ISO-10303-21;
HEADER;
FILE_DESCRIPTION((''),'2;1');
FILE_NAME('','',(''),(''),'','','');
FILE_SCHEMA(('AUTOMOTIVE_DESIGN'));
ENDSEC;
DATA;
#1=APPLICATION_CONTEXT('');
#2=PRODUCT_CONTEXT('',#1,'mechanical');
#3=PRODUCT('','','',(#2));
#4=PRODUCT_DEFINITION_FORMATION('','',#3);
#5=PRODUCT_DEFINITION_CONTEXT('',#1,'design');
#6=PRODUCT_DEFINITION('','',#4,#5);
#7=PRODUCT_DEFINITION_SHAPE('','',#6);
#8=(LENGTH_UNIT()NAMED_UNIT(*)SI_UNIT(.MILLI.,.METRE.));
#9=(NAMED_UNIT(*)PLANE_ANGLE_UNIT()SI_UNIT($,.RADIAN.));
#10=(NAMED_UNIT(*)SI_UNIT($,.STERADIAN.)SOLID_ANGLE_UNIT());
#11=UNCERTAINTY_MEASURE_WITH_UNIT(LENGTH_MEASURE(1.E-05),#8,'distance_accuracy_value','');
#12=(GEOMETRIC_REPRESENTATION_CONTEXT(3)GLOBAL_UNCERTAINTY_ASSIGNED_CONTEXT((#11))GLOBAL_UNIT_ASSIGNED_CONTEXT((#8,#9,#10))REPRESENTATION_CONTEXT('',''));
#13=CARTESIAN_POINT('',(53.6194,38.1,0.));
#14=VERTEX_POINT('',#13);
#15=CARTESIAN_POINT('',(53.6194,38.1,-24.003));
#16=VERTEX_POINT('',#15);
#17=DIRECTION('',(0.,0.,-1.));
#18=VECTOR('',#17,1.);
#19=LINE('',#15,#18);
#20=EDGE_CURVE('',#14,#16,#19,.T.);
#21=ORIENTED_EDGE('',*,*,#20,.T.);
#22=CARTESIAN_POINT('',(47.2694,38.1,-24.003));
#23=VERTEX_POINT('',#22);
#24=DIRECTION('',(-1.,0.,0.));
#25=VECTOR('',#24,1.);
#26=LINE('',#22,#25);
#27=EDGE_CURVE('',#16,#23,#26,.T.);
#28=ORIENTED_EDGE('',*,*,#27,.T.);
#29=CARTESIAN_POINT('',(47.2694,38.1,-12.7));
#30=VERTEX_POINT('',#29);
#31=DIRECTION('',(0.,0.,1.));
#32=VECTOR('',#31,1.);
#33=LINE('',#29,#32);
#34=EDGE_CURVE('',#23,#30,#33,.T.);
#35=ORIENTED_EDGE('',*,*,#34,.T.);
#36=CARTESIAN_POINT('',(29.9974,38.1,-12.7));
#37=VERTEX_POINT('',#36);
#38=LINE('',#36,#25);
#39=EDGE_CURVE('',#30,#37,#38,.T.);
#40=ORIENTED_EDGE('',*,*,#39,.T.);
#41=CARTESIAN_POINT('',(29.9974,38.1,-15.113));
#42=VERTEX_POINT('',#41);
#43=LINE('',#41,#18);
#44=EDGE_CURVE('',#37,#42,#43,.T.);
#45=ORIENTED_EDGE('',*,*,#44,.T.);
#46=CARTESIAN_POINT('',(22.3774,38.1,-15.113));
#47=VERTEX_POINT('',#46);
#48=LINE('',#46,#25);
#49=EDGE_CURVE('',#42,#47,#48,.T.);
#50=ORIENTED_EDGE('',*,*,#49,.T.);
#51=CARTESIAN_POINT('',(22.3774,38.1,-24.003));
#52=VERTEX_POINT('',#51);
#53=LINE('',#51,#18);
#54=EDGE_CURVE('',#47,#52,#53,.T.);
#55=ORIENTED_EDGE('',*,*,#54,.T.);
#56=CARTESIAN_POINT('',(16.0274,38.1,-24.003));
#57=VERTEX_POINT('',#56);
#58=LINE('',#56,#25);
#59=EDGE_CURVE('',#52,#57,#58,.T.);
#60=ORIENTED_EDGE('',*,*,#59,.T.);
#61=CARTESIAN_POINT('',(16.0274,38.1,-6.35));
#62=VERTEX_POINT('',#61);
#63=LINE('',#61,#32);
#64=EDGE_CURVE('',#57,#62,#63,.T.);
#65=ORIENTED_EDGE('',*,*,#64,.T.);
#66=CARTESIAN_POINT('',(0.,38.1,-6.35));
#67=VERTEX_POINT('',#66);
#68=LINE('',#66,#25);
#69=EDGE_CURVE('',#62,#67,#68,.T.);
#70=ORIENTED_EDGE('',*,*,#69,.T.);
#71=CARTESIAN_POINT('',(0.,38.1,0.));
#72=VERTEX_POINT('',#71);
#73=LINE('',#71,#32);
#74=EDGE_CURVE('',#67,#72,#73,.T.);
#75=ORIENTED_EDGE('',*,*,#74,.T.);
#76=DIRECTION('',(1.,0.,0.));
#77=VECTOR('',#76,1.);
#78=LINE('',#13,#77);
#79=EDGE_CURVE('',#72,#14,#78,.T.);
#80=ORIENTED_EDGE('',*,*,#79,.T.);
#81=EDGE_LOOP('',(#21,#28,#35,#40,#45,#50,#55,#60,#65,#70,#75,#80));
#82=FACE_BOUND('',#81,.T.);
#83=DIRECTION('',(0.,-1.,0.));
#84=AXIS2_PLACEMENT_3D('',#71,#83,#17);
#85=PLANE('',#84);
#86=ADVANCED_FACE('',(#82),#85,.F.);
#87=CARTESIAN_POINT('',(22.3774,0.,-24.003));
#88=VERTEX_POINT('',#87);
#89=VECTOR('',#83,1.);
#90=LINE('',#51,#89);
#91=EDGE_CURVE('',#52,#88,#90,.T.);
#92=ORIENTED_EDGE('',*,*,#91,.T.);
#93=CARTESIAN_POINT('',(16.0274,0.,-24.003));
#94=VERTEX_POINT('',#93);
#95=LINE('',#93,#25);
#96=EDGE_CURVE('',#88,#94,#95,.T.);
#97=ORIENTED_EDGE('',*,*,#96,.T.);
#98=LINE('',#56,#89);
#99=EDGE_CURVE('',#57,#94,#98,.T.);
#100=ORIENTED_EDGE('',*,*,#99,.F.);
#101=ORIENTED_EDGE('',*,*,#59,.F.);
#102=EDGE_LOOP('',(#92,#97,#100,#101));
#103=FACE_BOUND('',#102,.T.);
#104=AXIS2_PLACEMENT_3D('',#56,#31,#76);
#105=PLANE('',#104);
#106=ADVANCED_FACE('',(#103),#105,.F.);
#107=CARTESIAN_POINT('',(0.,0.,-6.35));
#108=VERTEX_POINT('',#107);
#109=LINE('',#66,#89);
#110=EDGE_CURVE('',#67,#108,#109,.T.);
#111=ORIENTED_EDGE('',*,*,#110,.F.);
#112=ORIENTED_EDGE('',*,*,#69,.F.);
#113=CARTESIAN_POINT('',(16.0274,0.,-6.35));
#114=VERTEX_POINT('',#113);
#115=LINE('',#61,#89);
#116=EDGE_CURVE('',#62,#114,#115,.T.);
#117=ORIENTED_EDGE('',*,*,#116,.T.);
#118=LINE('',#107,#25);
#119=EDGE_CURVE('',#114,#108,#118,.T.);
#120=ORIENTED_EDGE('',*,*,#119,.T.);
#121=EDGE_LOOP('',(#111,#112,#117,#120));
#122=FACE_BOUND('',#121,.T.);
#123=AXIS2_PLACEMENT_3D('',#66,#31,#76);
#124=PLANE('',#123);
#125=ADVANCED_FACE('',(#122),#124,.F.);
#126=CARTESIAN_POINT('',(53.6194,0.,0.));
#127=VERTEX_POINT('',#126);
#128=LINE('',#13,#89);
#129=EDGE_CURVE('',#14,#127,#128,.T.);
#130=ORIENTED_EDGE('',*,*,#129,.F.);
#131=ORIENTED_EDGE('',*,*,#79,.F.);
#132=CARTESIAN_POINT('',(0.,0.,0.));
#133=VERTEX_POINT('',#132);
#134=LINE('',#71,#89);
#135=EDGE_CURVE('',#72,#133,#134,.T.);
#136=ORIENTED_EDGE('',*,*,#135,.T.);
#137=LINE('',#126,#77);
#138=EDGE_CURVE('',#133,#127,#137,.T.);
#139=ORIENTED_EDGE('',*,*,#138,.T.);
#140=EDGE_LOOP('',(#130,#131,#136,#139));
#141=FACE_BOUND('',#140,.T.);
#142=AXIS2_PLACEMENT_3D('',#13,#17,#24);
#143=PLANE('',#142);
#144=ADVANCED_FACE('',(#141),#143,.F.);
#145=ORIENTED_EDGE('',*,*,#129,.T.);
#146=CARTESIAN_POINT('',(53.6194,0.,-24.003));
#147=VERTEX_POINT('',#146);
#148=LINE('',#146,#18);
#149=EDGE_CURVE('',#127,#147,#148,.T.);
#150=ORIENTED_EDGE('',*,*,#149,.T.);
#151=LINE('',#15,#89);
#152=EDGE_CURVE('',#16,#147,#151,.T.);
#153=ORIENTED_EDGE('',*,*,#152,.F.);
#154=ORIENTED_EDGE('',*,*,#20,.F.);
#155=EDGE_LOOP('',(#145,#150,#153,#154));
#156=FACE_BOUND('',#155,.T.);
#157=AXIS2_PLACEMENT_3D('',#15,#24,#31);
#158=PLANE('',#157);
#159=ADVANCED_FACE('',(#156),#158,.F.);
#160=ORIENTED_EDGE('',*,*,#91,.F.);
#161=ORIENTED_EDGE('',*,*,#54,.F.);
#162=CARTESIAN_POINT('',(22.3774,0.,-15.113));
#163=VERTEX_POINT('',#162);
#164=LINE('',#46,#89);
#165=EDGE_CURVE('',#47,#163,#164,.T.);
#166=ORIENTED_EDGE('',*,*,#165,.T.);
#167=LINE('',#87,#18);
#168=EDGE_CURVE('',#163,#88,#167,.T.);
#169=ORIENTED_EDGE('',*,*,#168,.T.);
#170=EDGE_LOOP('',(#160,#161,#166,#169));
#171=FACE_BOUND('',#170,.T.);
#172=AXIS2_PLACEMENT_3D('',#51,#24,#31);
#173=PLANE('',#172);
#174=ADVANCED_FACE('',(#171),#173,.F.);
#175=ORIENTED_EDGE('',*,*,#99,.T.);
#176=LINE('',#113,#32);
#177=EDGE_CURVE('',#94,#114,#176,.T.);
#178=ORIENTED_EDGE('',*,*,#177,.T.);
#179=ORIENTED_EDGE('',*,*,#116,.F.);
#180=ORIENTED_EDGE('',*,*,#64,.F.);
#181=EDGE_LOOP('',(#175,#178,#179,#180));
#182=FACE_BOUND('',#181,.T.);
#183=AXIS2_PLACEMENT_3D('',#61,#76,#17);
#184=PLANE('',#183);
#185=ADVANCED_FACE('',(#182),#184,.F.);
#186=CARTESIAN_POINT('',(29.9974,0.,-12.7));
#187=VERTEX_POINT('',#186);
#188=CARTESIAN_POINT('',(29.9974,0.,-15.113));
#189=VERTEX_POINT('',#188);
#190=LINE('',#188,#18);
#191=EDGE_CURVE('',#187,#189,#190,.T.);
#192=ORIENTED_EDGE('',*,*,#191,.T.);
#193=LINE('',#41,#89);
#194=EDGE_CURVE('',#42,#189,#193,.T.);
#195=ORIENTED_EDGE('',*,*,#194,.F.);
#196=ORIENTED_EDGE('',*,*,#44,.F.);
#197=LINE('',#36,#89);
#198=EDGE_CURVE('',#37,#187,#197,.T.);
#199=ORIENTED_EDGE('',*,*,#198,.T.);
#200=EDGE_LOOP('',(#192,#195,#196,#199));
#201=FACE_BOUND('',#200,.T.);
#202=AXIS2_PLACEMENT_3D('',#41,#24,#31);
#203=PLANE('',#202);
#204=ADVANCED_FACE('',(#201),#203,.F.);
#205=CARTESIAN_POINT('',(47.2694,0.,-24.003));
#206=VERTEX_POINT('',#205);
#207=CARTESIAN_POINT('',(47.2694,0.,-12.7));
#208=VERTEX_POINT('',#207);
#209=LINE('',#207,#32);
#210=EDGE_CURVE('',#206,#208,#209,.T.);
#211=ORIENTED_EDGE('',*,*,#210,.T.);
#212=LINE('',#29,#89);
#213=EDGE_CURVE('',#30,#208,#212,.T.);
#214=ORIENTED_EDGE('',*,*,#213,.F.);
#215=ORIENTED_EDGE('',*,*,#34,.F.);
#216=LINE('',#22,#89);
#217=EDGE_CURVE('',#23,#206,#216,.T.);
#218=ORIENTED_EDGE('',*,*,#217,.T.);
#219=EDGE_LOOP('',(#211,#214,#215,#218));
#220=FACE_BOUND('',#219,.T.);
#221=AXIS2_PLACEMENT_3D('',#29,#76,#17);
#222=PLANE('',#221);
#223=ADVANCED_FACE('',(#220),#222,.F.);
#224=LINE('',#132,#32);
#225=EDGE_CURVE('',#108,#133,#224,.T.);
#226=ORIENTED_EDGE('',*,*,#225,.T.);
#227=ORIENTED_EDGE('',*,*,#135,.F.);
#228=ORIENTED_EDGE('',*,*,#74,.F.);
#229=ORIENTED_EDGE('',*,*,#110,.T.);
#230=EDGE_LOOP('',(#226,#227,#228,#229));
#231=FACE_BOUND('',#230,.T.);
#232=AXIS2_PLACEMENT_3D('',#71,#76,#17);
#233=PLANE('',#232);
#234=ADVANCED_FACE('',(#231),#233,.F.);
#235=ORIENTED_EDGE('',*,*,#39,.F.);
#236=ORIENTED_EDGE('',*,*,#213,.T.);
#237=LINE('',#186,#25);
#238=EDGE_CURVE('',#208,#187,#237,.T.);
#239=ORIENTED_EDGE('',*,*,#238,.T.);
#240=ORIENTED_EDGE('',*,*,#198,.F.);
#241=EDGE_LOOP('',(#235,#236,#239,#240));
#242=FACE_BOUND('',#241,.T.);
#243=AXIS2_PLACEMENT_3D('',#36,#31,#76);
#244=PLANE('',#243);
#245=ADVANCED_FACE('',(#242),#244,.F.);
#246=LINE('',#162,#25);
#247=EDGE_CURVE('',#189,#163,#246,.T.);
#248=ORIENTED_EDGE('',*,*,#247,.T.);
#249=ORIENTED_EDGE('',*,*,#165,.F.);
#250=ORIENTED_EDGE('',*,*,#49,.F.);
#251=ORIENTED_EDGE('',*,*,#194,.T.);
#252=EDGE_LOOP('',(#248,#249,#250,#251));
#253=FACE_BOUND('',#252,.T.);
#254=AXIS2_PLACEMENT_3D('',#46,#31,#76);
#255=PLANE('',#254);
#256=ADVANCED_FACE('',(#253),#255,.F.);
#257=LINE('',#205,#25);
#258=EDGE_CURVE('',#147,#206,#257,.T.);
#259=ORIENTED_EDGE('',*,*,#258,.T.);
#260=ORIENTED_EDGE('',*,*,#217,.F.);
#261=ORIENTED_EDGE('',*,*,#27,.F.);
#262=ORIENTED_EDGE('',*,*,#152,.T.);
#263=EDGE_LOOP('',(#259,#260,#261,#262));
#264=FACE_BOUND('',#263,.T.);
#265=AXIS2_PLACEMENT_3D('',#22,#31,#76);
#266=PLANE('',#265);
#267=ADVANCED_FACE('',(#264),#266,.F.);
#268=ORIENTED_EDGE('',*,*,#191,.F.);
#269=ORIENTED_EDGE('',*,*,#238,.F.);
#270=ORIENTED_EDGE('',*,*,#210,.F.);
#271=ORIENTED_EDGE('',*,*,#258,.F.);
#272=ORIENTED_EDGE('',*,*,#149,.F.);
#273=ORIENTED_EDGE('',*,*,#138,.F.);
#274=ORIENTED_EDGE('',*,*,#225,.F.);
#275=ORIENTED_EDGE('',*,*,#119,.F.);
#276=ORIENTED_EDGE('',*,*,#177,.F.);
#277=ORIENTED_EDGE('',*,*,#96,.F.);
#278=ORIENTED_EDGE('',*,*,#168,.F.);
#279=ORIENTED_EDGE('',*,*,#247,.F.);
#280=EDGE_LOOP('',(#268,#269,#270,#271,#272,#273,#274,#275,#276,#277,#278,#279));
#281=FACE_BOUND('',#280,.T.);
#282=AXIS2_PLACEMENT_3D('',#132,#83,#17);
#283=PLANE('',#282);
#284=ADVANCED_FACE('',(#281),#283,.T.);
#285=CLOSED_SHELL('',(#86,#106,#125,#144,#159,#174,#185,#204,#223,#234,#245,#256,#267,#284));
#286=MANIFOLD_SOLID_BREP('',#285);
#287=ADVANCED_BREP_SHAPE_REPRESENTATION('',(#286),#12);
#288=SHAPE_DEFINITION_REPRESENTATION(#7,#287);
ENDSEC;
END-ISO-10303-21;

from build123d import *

# Parameters (mm, degrees)
BOSS_EXTRUDE1_DEPTH = 38.1


with BuildPart() as part:
    # Sketch1 → Boss-Extrude1 (new body)
    with BuildSketch(Plane(origin=(0, 0, 0), x_dir=(1, 0, 0), z_dir=(0, 1, 0))):
        Polygon((47.2694, 24.003), (53.6194, 24.003), (53.6194, 0), (0, 0), (0, 6.35), (16.0274, 6.35), (16.0274, 24.003), (22.3774, 24.003), (22.3774, 15.113), (29.9974, 15.113), (29.9974, 12.7), (47.2694, 12.7), align=None)
    extrude(amount=BOSS_EXTRUDE1_DEPTH)


solid = part.part
